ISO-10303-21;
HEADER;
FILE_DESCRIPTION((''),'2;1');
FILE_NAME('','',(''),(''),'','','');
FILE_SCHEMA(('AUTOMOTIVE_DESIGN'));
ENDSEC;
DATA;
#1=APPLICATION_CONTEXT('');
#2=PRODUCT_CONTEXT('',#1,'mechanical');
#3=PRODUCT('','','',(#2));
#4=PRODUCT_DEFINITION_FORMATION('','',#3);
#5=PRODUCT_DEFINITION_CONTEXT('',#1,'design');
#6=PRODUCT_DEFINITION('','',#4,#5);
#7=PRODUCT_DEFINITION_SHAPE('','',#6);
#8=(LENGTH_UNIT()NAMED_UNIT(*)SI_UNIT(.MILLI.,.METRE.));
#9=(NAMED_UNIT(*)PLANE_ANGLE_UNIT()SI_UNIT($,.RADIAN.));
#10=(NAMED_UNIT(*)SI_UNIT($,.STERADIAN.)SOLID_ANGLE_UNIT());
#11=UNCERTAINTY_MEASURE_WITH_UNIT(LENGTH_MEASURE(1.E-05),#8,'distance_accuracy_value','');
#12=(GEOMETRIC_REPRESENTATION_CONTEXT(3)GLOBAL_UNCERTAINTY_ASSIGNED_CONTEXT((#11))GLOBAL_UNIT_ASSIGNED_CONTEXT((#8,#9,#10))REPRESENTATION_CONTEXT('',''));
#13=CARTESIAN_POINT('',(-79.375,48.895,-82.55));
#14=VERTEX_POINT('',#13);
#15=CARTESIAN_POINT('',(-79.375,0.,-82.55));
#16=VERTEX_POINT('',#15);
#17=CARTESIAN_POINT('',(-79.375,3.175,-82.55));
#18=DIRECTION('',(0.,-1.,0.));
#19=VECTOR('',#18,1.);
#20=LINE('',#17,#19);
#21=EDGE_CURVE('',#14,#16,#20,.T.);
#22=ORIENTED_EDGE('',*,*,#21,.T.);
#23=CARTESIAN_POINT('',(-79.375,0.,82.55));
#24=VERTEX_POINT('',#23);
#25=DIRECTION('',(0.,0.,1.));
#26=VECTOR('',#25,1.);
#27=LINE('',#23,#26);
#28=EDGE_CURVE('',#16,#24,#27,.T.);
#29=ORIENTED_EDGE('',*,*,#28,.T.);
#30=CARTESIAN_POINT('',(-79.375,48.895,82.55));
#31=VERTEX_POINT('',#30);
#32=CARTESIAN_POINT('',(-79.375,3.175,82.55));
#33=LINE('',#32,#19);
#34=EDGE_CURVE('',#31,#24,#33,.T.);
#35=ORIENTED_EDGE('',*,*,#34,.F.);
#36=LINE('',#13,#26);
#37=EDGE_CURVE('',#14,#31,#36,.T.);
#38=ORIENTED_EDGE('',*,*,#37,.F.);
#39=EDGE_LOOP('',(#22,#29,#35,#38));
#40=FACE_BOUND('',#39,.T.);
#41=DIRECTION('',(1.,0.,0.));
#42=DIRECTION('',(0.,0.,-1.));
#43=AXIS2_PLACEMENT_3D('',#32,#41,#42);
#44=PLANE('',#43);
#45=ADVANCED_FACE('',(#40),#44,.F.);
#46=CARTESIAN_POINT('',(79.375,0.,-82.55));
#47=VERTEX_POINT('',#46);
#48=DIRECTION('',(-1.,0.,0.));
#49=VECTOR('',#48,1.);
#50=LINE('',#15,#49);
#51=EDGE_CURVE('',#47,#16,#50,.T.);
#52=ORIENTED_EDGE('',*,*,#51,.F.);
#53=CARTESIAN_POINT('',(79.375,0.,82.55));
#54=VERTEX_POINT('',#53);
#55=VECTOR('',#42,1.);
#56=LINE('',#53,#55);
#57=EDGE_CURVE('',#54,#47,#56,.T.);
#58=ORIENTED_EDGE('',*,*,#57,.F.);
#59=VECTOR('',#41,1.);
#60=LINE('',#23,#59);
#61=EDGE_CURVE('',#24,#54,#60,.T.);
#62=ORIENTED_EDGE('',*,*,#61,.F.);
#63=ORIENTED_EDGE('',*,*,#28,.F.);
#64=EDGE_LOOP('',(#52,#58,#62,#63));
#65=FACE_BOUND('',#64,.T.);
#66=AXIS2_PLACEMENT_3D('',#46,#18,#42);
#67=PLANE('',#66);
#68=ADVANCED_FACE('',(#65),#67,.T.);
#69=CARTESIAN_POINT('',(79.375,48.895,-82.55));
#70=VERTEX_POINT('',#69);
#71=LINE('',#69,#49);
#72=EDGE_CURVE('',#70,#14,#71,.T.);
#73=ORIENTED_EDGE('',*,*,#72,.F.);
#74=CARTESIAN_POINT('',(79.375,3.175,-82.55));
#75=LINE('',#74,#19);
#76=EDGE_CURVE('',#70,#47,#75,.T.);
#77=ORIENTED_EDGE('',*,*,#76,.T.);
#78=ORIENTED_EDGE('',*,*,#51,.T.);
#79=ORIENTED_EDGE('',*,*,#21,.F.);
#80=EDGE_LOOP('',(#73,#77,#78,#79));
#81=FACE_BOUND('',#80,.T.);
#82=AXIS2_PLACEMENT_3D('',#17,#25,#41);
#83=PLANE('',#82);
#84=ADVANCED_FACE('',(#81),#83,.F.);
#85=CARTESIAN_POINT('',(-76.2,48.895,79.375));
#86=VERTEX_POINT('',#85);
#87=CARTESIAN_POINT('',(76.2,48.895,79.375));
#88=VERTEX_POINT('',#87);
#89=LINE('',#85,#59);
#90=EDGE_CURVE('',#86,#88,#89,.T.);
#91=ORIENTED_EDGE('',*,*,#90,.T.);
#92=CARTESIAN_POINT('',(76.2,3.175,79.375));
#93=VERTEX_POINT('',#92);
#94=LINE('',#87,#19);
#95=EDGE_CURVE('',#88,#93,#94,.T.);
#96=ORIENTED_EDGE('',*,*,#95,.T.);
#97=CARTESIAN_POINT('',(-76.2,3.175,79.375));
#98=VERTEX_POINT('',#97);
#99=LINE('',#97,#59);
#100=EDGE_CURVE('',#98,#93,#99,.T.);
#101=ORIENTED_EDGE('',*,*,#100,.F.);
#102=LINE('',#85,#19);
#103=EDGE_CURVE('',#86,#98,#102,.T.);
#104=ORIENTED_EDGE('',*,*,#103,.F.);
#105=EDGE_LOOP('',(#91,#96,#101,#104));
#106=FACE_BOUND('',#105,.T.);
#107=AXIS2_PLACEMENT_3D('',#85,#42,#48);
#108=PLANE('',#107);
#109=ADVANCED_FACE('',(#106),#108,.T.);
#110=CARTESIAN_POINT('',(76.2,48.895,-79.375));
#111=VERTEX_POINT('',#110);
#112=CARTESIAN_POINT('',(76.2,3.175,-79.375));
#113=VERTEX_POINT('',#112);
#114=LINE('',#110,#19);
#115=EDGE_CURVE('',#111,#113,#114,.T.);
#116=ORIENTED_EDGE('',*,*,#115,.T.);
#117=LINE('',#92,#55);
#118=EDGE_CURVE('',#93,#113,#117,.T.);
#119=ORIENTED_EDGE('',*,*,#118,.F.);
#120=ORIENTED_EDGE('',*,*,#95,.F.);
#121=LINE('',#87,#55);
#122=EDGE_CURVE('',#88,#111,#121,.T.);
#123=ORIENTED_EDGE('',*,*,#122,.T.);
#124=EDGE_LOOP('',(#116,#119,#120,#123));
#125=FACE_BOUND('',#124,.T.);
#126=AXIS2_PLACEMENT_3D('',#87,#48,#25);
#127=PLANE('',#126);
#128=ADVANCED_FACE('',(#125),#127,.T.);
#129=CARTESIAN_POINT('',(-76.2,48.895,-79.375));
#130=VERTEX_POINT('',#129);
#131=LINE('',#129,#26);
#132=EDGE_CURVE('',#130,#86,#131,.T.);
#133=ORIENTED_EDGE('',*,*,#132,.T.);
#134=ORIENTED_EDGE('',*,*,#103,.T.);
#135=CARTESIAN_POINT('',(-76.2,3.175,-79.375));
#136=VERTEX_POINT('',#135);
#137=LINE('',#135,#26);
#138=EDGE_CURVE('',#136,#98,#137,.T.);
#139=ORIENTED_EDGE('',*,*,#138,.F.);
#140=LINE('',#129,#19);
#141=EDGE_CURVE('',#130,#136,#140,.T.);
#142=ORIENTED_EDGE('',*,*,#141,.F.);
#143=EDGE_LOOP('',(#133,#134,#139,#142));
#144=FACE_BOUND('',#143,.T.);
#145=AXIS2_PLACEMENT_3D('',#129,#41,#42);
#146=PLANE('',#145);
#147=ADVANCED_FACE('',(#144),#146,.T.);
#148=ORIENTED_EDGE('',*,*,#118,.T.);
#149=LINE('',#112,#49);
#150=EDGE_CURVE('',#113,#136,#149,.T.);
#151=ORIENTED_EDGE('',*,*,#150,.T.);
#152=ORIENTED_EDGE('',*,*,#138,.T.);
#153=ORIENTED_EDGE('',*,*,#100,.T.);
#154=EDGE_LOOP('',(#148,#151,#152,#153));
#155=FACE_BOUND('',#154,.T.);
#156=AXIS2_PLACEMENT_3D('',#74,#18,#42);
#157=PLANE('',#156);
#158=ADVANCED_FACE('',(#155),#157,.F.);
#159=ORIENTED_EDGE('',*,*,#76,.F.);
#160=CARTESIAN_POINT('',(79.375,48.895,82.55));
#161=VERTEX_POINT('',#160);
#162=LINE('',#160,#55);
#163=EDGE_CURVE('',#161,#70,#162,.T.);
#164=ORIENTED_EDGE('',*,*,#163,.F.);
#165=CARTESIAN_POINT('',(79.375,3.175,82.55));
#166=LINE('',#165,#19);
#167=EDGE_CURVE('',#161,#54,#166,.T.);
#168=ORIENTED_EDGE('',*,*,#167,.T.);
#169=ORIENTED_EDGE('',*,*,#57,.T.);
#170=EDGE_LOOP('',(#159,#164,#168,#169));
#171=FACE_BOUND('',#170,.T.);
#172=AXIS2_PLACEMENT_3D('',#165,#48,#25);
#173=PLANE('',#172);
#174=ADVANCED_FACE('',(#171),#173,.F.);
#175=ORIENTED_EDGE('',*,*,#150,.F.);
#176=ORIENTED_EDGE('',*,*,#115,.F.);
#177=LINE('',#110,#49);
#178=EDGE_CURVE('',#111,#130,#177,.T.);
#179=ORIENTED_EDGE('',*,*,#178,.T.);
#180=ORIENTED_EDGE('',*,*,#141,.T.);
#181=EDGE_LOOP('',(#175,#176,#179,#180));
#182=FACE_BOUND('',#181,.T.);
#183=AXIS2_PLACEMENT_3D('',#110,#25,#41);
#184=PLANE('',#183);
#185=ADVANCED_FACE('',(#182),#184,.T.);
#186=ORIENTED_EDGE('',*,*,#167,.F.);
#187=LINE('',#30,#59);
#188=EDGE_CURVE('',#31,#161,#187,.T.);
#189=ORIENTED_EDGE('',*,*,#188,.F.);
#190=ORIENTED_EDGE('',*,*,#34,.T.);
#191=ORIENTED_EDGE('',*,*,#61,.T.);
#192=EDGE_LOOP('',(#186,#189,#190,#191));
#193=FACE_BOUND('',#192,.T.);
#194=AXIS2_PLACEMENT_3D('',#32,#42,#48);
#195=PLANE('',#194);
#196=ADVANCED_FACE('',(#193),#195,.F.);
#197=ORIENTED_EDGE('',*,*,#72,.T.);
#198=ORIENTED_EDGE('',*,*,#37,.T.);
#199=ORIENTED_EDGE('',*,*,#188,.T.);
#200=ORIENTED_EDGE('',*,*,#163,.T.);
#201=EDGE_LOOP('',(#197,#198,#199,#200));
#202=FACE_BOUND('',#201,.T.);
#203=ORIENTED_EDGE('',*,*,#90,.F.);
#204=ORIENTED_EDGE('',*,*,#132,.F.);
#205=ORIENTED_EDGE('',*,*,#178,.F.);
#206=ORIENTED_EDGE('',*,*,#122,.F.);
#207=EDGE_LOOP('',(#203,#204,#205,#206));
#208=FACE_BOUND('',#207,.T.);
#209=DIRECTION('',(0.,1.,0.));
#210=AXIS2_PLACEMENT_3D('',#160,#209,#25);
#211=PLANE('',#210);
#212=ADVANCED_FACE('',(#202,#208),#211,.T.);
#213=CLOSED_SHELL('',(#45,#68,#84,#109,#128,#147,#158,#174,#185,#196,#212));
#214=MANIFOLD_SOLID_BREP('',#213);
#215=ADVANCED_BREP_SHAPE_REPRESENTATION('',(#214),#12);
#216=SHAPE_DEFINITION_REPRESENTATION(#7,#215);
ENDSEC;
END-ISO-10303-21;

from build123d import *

# Parameters (mm, degrees)
SKETCH1_W           = 158.75
SKETCH1_H           = 165.1
BOSS_EXTRUDE1_DEPTH = 3.175
SKETCH2_W           = 158.75
SKETCH2_H           = 165.1
SKETCH2_W_2         = 152.4
SKETCH2_H_2         = 158.75
BOSS_EXTRUDE2_DEPTH = 45.72


with BuildPart() as part:
    # Sketch1 → Boss-Extrude1 (new body)
    with BuildSketch(Plane(origin=(0, 0, 0), x_dir=(1, 0, 0), z_dir=(0, 1, 0))):
        Rectangle(SKETCH1_W, SKETCH1_H)
    extrude(amount=BOSS_EXTRUDE1_DEPTH)

    # Sketch2 → Boss-Extrude2 (add)
    with BuildSketch(Plane(origin=(0, 3.175, 0), x_dir=(1, 0, 0), z_dir=(0, 1, 0))):
        Rectangle(SKETCH2_W, SKETCH2_H)
        Rectangle(SKETCH2_W_2, SKETCH2_H_2, mode=Mode.SUBTRACT)
    extrude(amount=BOSS_EXTRUDE2_DEPTH)


solid = part.part
